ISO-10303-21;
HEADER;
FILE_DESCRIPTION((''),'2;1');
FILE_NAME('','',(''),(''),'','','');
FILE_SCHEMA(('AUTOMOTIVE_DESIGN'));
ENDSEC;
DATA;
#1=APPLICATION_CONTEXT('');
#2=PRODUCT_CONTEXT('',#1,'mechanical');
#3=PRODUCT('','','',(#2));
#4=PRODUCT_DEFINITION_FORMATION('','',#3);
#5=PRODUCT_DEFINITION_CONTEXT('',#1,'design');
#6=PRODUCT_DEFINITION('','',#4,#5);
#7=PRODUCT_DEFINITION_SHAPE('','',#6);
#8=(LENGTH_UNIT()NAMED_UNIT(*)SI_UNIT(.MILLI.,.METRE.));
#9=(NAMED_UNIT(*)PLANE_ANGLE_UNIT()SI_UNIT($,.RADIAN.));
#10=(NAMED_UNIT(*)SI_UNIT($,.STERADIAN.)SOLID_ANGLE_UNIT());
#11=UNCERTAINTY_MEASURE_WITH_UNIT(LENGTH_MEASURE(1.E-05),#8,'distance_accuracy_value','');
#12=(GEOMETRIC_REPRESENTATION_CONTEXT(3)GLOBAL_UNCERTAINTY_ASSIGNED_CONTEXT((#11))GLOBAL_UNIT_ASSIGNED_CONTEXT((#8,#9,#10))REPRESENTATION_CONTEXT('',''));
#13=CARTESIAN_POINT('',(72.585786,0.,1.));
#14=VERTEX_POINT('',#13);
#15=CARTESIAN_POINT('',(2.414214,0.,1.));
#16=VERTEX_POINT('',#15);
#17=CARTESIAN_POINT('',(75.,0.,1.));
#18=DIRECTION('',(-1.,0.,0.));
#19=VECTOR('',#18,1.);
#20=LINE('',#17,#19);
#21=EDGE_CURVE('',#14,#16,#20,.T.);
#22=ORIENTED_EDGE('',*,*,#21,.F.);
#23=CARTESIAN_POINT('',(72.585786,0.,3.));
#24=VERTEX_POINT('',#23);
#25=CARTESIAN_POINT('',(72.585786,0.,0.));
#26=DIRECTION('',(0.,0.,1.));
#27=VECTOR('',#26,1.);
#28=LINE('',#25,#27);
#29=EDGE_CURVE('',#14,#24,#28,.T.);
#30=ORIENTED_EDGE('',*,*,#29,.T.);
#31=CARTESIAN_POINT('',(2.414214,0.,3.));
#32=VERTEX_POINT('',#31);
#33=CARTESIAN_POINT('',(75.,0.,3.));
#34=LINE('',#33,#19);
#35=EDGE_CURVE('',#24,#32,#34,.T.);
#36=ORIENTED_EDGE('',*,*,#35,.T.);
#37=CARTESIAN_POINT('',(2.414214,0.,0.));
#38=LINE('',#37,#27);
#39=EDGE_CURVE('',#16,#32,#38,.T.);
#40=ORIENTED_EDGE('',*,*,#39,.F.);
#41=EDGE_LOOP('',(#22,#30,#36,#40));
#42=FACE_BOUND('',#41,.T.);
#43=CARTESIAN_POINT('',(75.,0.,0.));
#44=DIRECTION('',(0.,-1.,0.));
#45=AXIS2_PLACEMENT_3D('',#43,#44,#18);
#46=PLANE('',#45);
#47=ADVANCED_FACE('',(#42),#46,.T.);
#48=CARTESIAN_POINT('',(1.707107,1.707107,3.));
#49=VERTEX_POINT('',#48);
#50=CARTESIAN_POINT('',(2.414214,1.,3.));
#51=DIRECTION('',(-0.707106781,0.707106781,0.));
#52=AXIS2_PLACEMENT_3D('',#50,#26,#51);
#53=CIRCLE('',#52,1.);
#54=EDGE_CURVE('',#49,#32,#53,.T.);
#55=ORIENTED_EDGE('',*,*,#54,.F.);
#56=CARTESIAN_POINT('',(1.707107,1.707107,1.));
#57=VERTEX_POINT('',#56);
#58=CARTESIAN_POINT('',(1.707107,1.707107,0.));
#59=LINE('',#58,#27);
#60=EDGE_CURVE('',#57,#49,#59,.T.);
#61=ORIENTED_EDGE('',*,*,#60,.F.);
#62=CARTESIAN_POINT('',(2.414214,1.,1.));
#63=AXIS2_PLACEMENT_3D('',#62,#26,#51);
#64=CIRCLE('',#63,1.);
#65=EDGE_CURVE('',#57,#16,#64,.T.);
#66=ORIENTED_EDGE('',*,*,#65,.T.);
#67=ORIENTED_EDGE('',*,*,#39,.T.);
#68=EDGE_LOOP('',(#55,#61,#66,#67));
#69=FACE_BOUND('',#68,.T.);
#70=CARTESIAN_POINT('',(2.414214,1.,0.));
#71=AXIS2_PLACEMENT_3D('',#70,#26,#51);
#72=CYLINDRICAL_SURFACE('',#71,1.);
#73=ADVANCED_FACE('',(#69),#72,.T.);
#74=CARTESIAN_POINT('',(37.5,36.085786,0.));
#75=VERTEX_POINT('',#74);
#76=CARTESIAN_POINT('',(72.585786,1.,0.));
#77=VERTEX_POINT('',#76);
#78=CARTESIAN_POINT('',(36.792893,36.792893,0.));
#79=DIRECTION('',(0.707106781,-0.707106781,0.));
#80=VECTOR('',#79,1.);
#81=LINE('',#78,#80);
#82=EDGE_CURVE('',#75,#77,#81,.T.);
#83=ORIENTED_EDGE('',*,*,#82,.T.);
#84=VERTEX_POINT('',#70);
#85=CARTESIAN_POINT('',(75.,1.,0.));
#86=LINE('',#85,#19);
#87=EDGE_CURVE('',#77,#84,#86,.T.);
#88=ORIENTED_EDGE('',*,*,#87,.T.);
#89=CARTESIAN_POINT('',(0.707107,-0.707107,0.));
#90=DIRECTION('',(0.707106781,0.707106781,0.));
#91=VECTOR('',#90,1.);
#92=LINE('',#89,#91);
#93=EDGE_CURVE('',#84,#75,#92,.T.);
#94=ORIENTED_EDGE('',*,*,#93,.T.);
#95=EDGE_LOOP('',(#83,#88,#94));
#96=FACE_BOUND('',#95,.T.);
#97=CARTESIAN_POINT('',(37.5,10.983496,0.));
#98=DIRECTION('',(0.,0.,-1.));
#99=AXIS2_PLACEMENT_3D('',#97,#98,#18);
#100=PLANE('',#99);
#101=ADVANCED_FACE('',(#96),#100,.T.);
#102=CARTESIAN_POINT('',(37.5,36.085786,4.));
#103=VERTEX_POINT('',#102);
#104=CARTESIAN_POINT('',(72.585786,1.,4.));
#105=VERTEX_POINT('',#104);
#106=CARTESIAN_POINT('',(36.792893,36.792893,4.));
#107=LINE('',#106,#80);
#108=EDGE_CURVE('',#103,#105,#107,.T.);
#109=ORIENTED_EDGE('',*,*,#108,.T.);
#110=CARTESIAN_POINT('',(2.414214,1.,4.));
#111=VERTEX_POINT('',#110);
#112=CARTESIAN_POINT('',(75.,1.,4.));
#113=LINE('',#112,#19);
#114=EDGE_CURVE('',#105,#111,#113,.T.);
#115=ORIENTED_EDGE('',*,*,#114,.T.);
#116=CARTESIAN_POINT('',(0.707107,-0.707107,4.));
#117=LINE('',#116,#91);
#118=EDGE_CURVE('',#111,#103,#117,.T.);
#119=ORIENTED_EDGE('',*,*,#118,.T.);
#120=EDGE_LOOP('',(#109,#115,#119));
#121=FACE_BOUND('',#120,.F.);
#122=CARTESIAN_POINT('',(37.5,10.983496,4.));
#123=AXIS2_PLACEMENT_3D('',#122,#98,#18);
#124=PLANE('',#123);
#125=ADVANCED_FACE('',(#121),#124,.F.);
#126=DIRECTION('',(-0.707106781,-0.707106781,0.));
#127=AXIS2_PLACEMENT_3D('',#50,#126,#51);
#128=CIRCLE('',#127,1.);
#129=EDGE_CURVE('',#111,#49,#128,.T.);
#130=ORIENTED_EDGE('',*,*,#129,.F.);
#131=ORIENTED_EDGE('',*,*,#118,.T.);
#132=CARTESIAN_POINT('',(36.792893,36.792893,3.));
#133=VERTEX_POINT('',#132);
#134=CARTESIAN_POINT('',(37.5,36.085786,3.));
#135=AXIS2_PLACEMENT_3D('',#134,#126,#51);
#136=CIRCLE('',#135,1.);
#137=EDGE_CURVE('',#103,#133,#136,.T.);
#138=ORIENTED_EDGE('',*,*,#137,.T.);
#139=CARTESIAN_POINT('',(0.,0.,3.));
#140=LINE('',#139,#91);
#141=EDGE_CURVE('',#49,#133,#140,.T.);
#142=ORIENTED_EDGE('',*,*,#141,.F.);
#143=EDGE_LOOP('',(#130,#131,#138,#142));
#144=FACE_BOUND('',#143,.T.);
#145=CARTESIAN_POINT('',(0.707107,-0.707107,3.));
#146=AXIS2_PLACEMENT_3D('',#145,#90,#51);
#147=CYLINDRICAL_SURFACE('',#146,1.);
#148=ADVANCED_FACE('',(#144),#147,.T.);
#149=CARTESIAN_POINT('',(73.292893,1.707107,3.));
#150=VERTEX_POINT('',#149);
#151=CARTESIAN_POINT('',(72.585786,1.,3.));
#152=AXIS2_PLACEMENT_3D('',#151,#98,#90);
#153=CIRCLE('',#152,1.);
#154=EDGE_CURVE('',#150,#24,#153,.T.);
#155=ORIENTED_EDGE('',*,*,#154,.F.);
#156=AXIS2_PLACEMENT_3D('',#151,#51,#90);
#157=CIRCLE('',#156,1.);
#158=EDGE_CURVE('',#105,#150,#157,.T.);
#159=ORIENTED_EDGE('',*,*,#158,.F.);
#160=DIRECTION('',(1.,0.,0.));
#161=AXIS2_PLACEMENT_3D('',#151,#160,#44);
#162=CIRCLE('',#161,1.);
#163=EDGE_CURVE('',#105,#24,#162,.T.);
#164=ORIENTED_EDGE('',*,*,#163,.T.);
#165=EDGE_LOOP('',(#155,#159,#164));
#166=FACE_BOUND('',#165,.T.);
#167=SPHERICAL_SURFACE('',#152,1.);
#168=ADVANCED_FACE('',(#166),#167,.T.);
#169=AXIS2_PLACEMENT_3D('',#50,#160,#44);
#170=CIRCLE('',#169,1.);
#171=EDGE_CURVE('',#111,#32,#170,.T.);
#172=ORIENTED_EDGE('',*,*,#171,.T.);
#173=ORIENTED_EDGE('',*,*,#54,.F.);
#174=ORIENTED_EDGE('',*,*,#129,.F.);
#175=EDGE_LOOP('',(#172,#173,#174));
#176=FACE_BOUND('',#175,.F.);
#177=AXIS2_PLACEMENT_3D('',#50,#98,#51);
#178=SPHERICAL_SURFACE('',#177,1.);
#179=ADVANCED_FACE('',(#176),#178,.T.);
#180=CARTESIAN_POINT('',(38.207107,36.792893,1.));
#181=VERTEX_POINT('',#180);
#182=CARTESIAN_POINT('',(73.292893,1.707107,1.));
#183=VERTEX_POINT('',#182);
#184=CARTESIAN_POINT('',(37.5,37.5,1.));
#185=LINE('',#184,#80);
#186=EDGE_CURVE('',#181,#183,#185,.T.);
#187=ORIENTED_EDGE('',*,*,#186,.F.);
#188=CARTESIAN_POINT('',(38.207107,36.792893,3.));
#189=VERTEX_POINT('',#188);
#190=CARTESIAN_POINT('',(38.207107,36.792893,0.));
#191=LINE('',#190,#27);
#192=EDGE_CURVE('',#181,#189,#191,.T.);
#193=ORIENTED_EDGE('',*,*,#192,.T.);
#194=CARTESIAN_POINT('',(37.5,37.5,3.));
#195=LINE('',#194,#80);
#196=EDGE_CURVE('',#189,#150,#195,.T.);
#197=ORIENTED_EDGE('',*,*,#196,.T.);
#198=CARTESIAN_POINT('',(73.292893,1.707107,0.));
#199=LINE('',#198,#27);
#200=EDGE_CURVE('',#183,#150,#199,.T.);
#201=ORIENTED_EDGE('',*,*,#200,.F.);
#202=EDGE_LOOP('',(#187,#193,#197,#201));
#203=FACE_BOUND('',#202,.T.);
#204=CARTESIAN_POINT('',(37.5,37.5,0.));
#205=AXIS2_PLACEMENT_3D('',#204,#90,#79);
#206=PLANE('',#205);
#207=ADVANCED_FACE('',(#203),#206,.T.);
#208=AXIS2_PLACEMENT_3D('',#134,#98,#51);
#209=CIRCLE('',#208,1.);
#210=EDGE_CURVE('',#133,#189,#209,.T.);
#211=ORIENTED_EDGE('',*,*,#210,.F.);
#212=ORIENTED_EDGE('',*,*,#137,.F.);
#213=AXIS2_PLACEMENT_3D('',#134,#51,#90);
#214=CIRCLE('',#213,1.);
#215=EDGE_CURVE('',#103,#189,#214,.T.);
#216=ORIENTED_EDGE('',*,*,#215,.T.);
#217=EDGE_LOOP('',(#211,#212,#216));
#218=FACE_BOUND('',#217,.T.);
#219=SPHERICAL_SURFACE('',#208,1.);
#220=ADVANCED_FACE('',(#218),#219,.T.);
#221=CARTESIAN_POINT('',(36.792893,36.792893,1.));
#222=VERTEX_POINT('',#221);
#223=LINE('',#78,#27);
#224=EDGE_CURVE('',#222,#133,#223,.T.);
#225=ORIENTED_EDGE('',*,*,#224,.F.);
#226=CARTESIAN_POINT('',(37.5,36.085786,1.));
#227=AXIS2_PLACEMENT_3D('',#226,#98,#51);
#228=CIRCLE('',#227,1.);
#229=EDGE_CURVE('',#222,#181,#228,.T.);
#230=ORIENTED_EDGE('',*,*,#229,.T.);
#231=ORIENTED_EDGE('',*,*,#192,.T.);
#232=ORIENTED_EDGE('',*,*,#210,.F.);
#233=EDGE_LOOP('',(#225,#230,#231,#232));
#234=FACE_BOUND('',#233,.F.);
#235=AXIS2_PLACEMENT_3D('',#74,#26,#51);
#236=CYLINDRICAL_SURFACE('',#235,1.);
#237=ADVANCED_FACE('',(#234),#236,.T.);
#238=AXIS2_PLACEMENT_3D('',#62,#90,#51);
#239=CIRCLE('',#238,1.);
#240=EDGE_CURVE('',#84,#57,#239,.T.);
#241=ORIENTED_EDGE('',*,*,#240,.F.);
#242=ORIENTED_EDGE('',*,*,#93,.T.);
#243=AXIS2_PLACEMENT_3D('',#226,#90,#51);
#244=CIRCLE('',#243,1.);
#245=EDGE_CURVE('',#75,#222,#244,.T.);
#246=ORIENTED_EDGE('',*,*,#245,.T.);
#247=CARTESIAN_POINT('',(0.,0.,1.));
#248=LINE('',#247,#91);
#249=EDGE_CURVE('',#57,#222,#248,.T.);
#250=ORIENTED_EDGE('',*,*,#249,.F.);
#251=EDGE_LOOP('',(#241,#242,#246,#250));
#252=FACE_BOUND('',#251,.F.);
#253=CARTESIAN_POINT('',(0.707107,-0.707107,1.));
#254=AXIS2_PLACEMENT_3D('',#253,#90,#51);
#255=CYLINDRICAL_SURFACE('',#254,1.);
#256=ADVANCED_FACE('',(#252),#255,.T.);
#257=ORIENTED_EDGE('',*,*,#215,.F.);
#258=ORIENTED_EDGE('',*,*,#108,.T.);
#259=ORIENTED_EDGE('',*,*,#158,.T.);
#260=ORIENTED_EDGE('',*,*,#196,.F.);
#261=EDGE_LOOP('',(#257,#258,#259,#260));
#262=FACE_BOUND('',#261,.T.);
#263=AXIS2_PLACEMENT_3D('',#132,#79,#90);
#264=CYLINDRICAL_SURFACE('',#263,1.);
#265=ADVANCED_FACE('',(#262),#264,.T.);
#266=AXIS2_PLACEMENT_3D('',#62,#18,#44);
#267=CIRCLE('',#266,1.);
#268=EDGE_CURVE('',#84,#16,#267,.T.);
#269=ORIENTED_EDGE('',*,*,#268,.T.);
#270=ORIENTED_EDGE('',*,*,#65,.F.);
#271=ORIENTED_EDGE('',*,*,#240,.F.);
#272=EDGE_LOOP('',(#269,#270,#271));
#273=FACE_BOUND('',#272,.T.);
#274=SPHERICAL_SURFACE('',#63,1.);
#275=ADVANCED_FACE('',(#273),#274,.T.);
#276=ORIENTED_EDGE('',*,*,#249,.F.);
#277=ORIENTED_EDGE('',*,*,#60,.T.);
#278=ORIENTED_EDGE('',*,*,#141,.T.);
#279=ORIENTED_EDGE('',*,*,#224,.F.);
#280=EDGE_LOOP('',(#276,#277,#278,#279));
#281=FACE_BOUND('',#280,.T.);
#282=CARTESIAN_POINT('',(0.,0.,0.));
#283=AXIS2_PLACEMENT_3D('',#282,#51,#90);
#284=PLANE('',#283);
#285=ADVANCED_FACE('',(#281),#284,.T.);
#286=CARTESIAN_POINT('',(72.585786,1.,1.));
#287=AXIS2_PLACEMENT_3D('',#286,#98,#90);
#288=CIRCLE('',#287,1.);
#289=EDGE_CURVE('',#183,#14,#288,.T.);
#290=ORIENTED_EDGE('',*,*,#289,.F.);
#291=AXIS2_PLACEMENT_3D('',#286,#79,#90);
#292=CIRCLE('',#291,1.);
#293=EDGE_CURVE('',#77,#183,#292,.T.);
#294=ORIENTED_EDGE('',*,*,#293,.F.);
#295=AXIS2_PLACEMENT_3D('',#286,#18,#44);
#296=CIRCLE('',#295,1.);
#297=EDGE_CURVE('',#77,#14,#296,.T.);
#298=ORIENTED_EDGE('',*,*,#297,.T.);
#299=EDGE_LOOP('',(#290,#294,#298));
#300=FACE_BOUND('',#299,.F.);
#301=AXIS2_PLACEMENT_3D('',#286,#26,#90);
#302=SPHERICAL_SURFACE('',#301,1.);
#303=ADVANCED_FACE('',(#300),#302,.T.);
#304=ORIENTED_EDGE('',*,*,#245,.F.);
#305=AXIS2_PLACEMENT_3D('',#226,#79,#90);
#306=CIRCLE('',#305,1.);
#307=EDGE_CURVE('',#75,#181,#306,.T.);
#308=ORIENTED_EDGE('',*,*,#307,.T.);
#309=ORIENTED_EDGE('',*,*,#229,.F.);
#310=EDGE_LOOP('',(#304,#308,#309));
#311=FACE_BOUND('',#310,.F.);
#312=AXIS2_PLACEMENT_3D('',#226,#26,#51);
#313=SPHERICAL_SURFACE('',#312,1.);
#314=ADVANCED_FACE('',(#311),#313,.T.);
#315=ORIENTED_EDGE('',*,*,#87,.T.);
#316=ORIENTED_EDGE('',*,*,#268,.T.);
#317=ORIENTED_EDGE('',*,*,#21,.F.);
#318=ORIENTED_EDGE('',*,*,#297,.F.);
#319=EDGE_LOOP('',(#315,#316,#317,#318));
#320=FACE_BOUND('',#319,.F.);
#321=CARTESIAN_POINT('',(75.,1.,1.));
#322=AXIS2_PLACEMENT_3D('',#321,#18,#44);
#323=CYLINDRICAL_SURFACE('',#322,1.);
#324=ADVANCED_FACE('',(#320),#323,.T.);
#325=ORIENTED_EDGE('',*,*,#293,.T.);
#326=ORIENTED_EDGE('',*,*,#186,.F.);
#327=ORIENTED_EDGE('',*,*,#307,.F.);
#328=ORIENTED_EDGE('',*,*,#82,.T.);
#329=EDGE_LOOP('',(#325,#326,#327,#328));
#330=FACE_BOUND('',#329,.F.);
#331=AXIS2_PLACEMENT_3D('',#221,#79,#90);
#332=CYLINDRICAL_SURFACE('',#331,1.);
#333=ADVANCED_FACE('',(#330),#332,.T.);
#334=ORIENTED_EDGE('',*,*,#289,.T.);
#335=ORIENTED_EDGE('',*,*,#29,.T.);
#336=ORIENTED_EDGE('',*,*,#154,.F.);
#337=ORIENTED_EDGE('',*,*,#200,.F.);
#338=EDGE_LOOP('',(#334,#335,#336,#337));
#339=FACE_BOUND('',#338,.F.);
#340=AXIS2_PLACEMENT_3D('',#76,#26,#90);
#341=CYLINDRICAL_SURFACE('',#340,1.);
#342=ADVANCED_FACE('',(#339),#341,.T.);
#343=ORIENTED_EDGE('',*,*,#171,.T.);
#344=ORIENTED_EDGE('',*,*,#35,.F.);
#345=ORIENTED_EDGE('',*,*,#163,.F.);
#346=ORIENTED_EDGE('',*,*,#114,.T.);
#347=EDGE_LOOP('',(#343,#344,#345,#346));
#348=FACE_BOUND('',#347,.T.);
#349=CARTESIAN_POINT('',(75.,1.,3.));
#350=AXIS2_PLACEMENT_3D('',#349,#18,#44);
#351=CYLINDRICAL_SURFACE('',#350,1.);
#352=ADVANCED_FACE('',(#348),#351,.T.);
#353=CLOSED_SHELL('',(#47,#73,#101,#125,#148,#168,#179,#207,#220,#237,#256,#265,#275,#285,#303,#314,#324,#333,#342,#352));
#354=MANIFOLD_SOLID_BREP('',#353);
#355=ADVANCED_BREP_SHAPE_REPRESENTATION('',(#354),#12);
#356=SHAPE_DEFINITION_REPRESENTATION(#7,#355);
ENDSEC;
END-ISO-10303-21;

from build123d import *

# Parameters (mm, degrees)
PAD_DEPTH = 4
FILLET_R  = 1


with BuildPart() as part:
    # Sketch → Pad (new body)
    with BuildSketch(Plane.XY):
        Polygon((0, 0), (37.5, 37.5), (75, 0), align=None)
    extrude(amount=PAD_DEPTH)

    # Fillet
    fillet_edges = [part.edges().sort_by_distance(p)[0] for p in [
        (0, 0, 2),
        (37.5, 37.5, 2),
        (18.75, 18.75, 0),
        (18.75, 18.75, 4),
        (75, 0, 2),
        (56.25, 18.75, 0),
        (56.25, 18.75, 4),
        (37.5, 0, 0),
        (37.5, 0, 4),
    ]]
    fillet(fillet_edges, radius=FILLET_R)


solid = part.part
